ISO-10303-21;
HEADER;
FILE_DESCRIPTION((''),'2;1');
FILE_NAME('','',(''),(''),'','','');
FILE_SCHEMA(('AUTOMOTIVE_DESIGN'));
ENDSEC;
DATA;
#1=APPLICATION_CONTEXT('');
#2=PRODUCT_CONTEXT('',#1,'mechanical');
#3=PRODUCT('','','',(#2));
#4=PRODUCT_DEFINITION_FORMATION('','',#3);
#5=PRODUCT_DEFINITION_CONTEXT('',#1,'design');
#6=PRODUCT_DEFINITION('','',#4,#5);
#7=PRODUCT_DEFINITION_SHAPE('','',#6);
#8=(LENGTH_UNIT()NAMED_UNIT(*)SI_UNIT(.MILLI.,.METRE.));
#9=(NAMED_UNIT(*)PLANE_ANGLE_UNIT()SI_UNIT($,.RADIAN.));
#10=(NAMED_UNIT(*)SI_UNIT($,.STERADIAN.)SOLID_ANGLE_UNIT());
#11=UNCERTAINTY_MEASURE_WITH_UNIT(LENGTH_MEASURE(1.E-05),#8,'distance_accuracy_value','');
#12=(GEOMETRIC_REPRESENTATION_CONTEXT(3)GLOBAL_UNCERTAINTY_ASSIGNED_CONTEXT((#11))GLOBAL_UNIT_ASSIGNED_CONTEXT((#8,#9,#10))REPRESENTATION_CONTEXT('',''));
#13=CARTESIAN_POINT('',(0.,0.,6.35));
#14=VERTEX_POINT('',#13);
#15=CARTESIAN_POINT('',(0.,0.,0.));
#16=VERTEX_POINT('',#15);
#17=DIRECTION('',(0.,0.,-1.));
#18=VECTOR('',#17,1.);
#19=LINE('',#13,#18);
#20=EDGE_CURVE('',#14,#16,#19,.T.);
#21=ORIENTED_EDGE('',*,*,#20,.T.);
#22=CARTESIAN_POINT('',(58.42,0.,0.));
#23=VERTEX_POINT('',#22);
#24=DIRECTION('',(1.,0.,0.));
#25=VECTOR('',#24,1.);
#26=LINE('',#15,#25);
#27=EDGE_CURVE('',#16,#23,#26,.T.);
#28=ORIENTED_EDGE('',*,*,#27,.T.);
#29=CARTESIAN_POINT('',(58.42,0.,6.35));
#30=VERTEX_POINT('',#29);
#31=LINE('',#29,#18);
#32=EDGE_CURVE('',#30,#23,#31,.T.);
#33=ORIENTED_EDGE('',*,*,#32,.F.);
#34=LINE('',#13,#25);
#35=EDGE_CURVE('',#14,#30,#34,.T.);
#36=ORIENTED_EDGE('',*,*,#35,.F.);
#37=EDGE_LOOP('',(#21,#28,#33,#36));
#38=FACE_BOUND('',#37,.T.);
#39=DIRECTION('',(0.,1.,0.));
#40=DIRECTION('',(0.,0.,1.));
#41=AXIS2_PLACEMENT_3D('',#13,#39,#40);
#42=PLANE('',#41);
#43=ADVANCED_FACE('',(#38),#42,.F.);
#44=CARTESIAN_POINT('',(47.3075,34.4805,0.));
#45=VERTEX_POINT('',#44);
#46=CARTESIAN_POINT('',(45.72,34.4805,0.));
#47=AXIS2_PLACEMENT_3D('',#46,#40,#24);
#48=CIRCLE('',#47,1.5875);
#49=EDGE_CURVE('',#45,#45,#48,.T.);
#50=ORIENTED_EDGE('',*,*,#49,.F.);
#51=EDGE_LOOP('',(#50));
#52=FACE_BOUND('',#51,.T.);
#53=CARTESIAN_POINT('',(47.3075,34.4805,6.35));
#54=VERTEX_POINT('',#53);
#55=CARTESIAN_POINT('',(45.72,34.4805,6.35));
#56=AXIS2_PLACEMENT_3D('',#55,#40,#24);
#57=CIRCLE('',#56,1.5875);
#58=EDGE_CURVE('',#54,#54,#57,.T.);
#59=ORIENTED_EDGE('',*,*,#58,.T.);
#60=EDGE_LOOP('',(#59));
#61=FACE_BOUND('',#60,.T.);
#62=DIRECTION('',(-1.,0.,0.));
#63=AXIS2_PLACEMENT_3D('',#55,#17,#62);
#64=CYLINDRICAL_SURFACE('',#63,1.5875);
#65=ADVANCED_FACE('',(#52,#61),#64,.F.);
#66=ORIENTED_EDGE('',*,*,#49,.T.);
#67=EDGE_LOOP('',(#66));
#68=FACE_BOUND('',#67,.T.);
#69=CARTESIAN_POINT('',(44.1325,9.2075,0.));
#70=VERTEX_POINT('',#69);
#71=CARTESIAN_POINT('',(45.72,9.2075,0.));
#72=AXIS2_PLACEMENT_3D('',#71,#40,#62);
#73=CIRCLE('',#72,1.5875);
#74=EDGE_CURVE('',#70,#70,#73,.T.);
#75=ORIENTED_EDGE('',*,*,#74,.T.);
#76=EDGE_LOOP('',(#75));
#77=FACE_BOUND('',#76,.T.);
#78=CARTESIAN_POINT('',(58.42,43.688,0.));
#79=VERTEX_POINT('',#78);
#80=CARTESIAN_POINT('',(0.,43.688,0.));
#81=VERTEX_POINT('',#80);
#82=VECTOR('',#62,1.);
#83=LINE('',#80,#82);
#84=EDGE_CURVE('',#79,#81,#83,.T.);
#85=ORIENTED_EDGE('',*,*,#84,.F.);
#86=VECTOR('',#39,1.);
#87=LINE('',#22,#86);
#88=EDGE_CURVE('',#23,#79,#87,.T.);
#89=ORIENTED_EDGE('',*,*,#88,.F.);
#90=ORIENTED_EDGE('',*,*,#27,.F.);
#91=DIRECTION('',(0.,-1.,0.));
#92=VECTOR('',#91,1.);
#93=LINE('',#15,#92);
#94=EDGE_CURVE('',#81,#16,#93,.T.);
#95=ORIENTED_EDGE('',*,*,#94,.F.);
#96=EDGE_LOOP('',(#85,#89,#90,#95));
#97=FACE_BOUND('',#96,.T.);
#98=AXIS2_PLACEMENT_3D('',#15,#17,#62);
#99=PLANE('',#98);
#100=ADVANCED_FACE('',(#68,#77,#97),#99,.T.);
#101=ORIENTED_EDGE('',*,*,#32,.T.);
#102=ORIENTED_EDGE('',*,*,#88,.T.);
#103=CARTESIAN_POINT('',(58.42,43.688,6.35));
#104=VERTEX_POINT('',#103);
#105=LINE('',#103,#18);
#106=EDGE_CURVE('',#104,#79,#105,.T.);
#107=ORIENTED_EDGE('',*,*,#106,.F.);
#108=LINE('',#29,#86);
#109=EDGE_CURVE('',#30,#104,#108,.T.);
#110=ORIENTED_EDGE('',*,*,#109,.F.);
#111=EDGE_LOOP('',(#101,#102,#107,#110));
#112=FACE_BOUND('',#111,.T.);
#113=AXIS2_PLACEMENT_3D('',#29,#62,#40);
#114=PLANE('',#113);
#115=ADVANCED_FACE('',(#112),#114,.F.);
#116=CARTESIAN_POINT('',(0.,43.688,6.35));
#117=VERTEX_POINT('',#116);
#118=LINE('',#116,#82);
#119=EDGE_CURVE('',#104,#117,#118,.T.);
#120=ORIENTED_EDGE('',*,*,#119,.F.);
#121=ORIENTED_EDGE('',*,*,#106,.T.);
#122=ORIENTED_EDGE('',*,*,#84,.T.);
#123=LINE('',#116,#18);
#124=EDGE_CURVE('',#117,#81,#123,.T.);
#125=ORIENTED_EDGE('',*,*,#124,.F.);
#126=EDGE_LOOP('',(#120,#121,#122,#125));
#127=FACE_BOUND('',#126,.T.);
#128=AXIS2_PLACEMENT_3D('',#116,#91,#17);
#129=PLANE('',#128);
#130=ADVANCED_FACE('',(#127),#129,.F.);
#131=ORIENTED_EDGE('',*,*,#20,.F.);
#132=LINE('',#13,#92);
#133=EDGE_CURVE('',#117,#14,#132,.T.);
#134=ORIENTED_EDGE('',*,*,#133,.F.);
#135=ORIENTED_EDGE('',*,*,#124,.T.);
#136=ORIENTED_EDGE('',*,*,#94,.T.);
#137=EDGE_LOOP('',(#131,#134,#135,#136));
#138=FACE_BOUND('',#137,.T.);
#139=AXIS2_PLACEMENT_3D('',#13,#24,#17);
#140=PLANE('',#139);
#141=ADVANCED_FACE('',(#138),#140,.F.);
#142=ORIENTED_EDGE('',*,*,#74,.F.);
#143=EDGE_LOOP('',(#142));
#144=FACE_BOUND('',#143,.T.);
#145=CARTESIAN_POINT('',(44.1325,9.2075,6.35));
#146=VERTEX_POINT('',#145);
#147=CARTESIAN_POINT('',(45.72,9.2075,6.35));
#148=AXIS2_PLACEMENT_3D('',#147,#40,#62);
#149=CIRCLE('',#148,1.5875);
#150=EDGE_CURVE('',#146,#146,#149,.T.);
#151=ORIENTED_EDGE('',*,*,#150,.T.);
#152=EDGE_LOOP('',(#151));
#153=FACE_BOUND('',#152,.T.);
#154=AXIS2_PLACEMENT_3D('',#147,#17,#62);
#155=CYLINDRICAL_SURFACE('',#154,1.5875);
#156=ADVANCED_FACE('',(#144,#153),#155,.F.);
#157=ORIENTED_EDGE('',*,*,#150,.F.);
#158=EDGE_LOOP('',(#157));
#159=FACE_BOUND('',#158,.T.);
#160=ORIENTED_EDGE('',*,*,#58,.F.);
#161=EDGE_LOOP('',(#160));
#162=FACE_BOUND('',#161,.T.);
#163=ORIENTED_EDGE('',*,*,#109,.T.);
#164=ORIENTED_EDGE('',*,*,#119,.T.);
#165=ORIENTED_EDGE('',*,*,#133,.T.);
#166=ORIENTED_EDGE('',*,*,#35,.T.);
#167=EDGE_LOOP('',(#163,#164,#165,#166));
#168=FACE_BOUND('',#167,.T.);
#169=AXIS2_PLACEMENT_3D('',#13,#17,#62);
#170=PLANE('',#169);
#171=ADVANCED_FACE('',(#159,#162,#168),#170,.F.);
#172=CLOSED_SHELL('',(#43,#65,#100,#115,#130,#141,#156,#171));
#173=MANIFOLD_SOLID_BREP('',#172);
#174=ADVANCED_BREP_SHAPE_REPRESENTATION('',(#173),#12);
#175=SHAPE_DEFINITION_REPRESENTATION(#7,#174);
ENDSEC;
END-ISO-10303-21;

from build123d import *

# Parameters (mm, degrees)
SKETCH1_W           = 58.42
SKETCH1_H           = 43.688
SKETCH1_R           = 1.5875
BOSS_EXTRUDE1_DEPTH = 6.35


with BuildPart() as part:
    # Sketch1 → Boss-Extrude1 (new body)
    with BuildSketch(Plane.XY):
        with Locations((29.21, 21.844)):
            Rectangle(SKETCH1_W, SKETCH1_H)
        with Locations((45.72, 34.4805)):
            Circle(SKETCH1_R, mode=Mode.SUBTRACT)
        with Locations((45.72, 9.2075)):
            Circle(SKETCH1_R, mode=Mode.SUBTRACT)
    extrude(amount=BOSS_EXTRUDE1_DEPTH)


solid = part.part
